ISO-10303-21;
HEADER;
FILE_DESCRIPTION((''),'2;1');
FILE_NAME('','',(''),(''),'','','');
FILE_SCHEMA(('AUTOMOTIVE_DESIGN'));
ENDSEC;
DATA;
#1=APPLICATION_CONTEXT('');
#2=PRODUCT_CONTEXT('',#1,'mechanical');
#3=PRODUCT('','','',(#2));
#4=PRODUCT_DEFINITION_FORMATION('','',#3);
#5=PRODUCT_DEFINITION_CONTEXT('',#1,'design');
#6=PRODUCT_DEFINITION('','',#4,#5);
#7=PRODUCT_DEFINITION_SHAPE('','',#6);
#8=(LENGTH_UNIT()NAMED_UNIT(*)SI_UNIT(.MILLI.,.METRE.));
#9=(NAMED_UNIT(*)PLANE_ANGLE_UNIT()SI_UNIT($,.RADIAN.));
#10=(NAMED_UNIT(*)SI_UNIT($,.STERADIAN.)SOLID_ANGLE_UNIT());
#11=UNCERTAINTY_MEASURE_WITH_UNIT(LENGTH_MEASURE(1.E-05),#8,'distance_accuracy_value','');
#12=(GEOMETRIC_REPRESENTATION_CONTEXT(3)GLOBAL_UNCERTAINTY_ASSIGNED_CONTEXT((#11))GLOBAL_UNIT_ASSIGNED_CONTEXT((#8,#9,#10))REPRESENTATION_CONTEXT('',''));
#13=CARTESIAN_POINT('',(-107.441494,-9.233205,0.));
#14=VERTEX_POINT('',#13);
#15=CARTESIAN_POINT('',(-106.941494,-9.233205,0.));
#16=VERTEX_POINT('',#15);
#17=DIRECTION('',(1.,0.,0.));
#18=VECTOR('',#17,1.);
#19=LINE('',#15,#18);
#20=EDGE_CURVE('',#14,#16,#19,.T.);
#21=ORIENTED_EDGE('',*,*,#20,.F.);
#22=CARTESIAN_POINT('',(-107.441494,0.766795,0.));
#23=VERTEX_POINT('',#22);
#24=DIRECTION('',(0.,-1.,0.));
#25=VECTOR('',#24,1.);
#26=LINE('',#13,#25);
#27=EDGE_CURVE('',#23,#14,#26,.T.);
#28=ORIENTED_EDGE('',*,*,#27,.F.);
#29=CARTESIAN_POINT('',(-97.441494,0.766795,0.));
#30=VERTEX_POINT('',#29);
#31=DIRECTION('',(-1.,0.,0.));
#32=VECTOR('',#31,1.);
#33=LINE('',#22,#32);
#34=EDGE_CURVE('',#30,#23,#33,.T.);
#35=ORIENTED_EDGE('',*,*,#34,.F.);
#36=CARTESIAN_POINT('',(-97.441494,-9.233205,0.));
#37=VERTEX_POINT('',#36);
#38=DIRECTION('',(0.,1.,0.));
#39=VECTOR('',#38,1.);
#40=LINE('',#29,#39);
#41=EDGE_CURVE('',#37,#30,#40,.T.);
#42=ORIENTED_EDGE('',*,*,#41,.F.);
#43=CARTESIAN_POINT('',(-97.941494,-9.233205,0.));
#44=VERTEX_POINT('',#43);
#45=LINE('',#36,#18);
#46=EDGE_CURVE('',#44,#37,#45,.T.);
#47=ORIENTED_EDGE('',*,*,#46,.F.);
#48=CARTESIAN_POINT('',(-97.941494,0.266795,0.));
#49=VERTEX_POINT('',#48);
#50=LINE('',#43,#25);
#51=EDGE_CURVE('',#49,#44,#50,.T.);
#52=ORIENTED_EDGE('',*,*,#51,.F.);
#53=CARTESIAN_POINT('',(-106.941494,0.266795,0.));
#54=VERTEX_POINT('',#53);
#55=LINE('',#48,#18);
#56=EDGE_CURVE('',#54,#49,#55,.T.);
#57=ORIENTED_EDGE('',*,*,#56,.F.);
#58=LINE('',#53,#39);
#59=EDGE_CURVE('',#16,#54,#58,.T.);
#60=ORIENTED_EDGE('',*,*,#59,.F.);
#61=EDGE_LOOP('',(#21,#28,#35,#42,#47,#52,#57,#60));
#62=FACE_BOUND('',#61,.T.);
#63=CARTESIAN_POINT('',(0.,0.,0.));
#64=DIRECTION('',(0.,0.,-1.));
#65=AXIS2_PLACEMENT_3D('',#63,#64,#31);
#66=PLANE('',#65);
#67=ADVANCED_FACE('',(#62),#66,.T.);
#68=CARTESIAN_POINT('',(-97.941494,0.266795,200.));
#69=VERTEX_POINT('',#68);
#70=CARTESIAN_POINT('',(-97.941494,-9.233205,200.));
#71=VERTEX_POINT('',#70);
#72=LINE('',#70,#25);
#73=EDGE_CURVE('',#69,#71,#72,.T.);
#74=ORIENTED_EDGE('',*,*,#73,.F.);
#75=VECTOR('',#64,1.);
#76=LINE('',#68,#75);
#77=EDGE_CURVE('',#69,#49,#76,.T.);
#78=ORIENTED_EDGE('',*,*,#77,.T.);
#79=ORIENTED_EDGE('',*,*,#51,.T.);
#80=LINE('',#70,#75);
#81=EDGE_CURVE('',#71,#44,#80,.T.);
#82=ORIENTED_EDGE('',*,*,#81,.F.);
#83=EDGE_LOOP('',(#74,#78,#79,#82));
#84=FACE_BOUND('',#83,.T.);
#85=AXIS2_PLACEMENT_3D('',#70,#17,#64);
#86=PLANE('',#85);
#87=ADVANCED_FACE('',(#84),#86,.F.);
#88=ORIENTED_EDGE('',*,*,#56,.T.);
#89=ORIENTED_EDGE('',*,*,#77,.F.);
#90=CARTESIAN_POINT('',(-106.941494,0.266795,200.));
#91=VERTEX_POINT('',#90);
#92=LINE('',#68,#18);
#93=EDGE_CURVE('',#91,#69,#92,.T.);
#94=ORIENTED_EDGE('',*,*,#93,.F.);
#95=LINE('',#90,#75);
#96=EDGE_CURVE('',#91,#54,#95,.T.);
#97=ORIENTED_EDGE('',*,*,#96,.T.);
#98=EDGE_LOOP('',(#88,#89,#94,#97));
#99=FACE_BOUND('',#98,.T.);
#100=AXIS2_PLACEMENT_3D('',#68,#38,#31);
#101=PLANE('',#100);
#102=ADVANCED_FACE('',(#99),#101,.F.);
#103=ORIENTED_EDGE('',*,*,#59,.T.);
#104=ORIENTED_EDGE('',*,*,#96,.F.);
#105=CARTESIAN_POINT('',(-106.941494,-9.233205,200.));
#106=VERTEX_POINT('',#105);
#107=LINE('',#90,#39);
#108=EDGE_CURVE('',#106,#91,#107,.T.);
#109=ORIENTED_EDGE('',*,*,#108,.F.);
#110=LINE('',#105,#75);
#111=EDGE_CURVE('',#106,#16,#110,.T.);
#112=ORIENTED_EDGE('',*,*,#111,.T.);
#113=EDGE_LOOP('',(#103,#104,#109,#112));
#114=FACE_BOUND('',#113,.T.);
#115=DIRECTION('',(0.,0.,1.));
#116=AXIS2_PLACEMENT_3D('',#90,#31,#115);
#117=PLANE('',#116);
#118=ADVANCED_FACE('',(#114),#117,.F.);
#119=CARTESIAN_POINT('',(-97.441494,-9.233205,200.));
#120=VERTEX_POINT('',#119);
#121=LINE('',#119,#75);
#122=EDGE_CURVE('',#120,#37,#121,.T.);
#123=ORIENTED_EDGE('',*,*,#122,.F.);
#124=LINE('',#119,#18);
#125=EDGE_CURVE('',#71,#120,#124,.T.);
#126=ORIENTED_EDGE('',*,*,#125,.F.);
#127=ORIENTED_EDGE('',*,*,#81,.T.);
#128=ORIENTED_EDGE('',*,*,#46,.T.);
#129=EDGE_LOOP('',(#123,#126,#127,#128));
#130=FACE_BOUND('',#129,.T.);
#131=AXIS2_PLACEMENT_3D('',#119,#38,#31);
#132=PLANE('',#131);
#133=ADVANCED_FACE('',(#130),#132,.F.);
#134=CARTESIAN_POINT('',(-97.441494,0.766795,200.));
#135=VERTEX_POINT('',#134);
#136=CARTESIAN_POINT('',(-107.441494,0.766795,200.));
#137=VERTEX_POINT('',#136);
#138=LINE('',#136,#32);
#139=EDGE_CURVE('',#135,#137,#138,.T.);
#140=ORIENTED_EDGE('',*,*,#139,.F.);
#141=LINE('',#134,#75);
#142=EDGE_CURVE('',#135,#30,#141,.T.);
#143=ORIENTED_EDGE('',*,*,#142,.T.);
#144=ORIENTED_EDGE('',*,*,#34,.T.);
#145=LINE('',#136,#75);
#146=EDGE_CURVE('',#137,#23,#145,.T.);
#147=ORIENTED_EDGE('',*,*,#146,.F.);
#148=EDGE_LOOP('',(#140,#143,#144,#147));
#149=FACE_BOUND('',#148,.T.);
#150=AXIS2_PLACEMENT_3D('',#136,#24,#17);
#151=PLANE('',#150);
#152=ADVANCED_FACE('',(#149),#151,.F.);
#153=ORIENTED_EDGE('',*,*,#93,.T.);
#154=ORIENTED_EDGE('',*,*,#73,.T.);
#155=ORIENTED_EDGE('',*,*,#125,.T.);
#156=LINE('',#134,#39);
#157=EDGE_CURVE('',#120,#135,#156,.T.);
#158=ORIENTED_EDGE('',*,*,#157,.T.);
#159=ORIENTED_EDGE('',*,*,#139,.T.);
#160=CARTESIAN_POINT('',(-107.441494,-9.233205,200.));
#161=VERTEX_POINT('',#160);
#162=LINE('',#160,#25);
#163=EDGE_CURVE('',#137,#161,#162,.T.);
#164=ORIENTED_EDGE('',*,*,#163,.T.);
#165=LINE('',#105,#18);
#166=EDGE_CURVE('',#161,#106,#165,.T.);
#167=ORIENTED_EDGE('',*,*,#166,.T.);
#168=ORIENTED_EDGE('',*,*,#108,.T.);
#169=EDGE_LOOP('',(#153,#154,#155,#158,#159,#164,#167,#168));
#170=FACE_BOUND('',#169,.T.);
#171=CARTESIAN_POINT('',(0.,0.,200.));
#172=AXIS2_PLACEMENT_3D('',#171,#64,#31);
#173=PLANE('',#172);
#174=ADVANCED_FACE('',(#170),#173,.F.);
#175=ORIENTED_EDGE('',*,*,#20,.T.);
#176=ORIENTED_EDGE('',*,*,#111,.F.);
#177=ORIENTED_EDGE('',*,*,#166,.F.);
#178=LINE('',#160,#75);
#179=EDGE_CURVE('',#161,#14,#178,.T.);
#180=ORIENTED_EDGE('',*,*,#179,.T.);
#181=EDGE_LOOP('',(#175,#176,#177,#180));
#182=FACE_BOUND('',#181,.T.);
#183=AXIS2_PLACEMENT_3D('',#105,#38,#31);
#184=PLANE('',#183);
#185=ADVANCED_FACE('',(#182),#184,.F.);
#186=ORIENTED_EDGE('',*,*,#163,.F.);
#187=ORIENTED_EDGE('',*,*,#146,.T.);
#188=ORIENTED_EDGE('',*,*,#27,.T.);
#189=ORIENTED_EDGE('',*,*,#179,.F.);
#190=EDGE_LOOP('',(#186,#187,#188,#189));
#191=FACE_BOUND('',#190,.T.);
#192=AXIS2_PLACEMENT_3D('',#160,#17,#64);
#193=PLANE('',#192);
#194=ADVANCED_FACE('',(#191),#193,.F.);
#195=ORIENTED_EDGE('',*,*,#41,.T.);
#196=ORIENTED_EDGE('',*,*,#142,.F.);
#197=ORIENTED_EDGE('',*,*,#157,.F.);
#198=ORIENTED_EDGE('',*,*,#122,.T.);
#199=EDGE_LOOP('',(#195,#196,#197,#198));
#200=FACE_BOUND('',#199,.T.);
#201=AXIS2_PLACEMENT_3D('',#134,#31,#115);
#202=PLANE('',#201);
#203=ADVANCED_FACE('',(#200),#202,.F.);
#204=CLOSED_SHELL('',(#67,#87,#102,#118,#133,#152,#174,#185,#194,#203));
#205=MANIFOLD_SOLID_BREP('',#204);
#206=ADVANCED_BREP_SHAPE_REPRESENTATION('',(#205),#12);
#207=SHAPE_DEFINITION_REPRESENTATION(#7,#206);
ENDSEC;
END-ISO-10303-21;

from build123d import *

# Parameters (mm, degrees)
BOSS_EXTRU_1_DEPTH = 200


with BuildPart() as part:
    # Esquisse2 → Boss.-Extru.1 (new body)
    with BuildSketch(Plane.XY):
        Polygon((-107.441493859, -9.233205108), (-107.441493859, 0.766794892), (-97.441493859, 0.766794892), (-97.441493859, -9.233205108), (-97.941493859, -9.233205108), (-97.941493859, 0.266794892), (-106.941493859, 0.266794892), (-106.941493859, -9.233205108), align=None)
    extrude(amount=BOSS_EXTRU_1_DEPTH)


solid = part.part
